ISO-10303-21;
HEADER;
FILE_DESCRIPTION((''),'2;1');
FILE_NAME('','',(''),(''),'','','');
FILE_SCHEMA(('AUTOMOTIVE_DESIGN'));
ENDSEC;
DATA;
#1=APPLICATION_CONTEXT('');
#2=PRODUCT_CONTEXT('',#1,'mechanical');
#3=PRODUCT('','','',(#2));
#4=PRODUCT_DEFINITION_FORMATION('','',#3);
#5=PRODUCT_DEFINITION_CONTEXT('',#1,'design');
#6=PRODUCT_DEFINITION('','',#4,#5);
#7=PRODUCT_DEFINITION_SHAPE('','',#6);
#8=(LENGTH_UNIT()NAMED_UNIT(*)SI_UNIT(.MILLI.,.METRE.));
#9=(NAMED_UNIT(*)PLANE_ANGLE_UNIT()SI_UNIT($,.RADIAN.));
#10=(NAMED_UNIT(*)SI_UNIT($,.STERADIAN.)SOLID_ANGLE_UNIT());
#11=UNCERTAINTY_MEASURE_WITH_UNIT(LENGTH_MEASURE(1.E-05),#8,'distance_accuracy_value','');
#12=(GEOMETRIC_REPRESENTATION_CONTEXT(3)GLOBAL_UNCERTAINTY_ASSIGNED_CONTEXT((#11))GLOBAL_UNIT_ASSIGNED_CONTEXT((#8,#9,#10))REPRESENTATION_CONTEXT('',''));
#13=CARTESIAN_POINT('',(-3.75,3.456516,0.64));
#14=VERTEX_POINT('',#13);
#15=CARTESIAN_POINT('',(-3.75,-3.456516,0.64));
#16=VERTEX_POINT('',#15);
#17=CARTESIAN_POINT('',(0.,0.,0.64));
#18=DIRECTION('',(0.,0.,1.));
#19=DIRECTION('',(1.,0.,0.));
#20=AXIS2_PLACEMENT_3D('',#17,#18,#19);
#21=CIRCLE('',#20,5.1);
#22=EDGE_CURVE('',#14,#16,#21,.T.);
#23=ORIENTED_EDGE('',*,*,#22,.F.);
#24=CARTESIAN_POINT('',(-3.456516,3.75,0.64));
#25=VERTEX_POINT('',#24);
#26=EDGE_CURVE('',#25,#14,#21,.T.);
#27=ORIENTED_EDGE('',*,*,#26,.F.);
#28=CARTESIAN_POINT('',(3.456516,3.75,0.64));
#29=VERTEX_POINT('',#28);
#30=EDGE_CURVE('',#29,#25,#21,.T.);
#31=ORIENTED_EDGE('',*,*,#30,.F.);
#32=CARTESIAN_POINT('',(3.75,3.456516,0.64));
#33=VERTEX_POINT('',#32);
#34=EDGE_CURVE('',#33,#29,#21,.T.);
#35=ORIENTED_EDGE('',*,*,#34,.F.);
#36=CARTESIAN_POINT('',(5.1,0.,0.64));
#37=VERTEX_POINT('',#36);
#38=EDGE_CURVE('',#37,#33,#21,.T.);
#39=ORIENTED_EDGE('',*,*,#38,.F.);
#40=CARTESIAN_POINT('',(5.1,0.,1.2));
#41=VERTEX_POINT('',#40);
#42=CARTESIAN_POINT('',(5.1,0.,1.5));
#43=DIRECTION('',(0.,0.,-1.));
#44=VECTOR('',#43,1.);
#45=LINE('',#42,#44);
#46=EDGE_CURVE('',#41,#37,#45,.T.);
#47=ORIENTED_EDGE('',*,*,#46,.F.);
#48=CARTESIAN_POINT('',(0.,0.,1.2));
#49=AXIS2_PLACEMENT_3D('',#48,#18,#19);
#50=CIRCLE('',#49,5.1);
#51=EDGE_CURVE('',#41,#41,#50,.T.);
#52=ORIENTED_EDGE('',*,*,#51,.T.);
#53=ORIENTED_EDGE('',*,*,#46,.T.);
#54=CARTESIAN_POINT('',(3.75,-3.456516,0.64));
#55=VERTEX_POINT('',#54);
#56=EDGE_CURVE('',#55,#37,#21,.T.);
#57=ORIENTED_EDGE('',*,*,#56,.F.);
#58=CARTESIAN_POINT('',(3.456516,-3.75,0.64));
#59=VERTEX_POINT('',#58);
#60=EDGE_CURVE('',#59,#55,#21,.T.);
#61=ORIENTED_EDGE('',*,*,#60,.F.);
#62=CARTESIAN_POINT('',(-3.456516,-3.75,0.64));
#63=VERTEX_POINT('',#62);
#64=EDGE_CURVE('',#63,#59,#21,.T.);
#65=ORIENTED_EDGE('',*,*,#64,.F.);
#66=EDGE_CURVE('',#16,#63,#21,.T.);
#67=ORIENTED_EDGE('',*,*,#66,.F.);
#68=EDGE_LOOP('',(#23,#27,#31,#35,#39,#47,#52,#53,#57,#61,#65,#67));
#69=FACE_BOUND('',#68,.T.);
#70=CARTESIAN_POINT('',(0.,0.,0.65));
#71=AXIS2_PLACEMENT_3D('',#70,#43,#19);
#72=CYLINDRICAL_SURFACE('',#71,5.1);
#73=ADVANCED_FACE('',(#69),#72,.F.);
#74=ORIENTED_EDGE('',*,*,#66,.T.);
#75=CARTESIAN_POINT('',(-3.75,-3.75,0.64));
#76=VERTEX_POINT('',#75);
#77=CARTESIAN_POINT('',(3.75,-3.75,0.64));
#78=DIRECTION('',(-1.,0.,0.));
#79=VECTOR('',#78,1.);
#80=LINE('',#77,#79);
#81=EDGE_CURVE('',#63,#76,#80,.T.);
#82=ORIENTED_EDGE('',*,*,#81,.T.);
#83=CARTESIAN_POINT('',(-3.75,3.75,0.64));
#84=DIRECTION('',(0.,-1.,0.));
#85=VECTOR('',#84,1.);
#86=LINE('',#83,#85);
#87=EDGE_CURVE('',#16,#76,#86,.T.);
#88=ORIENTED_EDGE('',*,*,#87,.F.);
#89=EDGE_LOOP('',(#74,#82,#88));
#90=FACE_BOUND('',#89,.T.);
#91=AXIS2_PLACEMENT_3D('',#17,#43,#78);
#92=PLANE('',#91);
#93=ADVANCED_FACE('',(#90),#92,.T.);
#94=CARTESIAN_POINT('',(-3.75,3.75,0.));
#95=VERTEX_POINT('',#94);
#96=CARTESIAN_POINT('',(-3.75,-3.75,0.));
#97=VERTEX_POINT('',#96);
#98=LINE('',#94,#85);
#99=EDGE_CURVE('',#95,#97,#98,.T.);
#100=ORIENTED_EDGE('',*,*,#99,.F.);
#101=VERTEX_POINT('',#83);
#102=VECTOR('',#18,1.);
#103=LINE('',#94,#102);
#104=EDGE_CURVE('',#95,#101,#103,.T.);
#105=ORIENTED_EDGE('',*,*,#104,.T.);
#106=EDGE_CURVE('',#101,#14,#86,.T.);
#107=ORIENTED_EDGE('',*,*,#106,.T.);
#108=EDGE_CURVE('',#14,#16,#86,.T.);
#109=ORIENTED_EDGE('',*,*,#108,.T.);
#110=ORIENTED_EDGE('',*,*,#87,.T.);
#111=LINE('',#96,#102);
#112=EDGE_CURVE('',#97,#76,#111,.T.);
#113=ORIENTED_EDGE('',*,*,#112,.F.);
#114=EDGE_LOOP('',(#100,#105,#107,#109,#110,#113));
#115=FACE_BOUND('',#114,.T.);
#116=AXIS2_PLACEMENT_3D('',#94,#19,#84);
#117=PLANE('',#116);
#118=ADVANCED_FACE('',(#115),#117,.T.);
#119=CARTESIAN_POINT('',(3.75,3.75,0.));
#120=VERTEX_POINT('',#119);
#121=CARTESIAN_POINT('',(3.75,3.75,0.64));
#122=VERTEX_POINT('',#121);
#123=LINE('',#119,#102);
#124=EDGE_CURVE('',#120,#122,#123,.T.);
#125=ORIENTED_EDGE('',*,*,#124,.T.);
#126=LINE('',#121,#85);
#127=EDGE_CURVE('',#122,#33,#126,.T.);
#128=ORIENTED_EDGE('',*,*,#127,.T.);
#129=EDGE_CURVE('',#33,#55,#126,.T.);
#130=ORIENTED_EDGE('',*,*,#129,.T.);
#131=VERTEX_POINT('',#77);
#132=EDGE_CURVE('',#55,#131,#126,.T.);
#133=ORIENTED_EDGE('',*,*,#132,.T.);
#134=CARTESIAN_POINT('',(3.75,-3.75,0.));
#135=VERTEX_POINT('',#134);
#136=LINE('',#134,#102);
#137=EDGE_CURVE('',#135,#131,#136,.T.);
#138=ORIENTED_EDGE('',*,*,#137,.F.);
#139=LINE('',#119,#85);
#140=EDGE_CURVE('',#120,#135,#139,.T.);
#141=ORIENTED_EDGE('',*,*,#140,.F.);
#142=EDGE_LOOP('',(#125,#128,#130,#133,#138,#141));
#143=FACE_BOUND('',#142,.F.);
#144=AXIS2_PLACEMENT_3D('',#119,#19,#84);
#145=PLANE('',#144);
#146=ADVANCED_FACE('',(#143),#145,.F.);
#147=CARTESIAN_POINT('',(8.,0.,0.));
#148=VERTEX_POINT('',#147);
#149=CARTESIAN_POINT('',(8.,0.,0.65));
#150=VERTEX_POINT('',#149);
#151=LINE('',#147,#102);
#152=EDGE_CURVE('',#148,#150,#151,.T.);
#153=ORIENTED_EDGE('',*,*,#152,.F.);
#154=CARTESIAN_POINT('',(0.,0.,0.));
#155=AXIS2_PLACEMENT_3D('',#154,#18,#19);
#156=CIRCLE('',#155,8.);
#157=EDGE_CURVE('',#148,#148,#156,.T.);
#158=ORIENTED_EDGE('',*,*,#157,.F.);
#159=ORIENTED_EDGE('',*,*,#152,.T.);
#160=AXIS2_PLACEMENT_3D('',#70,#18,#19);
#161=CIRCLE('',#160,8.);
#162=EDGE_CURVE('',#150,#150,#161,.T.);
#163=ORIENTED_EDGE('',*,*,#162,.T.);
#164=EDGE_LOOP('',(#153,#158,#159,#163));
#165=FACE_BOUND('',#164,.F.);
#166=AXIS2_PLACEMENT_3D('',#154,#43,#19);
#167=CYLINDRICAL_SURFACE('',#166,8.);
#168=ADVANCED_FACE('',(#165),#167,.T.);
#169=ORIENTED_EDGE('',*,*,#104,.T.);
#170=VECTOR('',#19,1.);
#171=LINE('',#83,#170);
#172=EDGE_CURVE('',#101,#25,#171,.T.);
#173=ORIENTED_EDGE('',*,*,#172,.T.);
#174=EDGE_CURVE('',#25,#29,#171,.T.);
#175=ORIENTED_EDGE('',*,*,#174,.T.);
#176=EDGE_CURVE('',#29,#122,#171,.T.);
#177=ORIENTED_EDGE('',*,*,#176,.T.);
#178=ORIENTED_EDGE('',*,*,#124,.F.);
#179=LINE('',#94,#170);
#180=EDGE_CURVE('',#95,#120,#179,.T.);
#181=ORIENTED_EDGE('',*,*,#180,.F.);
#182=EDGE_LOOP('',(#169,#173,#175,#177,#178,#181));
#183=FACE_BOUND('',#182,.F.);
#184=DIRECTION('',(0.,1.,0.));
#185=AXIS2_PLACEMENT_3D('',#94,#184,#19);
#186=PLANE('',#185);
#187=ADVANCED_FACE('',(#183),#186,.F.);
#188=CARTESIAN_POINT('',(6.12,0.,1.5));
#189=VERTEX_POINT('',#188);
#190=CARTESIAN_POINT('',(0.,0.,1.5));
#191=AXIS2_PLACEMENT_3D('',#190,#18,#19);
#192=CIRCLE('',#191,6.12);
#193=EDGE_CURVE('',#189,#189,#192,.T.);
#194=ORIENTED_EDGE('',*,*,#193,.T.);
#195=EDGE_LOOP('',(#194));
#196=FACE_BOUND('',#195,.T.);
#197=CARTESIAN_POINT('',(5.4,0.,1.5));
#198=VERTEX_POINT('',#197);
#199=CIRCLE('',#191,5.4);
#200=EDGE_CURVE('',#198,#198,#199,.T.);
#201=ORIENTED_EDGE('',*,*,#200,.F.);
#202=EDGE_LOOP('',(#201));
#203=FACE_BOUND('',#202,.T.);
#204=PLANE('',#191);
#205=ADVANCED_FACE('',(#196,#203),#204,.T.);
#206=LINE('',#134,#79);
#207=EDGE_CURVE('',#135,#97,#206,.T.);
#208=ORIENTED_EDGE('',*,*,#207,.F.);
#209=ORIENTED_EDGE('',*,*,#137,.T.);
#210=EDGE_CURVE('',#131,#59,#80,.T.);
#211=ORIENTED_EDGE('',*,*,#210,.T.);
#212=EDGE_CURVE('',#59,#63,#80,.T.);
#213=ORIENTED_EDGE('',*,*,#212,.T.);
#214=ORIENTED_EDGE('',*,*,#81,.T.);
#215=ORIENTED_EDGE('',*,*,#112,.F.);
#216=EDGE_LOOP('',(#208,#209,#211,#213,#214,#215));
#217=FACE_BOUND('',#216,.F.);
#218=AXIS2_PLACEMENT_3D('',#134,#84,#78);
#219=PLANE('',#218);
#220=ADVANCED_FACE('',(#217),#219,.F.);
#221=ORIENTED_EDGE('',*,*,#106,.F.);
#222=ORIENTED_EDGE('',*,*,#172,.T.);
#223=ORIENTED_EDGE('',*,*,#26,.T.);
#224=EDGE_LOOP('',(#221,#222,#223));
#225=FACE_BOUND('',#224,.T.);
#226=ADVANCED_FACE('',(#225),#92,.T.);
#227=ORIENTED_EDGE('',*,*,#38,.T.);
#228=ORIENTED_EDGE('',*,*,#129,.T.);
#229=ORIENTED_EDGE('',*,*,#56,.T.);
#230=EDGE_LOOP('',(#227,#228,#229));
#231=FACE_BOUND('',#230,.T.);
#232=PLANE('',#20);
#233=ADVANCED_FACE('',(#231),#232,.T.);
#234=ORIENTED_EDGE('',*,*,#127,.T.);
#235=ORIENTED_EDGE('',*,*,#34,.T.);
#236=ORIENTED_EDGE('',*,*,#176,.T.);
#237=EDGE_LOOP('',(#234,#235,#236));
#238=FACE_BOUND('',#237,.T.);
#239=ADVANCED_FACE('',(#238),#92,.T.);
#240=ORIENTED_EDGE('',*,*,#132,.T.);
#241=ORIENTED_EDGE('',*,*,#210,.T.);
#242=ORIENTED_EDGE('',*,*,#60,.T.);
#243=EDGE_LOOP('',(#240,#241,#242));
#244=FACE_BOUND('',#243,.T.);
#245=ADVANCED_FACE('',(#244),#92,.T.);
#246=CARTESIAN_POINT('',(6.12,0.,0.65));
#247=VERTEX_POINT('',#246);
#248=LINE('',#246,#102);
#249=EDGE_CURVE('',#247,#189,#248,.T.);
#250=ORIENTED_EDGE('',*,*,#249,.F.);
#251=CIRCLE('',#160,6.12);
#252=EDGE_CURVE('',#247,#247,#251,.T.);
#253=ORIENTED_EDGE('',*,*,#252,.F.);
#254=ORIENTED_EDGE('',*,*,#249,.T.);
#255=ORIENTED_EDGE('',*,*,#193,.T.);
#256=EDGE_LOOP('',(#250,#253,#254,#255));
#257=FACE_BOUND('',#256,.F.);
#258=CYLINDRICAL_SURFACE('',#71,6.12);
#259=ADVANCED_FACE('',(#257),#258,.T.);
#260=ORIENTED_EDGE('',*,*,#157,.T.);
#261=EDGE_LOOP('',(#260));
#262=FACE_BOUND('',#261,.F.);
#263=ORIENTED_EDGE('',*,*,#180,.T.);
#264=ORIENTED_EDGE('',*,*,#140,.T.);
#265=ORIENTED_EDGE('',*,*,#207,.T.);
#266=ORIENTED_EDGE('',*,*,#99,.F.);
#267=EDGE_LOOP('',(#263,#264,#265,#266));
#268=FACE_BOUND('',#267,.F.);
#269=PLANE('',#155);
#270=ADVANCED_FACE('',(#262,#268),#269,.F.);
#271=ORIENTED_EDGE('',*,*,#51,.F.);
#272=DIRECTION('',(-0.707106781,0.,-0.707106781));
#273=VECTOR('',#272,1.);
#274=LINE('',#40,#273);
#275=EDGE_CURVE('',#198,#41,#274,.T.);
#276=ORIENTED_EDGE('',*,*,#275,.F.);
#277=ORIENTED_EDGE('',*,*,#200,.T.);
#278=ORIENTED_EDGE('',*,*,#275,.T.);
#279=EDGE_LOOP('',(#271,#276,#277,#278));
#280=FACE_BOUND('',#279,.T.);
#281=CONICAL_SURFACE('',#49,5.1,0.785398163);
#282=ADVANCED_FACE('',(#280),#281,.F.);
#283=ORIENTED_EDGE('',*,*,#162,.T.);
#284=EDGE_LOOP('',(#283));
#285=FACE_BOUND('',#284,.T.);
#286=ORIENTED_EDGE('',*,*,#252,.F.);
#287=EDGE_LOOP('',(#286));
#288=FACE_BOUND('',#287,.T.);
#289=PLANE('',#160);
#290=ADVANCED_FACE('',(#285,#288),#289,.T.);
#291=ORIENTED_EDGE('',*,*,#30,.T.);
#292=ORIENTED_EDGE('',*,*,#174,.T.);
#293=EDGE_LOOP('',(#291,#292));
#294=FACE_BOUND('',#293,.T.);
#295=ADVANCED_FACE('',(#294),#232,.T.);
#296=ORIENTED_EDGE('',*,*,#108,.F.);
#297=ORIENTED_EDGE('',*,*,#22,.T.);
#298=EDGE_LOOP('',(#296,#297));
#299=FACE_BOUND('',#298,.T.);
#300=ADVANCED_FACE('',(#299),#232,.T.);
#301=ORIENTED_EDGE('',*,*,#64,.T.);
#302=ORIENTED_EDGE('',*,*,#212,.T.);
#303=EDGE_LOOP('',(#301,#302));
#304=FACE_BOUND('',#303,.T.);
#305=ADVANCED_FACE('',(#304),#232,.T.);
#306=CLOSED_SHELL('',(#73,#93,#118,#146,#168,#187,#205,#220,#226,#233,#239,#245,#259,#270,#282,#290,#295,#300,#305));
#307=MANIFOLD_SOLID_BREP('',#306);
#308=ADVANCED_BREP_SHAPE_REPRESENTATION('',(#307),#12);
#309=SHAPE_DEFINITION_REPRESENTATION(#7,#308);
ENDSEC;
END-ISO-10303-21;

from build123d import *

# Parameters (mm, degrees)
SKETCH_1_R          = 8
EXTRUDE_1_DEPTH     = 0.65
EXTRUDE_START       = 0.65
SKETCH_2_R          = 6.12
SKETCH_2_R_2        = 5.1
EXTRUDE_2_DEPTH     = 0.85
CUT_EXTRUDE_START   = 0.65
SKETCH_3_R          = 5.1
CUT_EXTRUDE_1_DEPTH = 0.01
CUT_EXTRUDE_2_DEPTH = 0.64
CHAMFER_1_SIZE      = 0.3


with BuildPart() as part:
    # 草图1 → 凸台-拉伸1 (new body)
    with BuildSketch(Plane.XY):
        Circle(SKETCH_1_R)
    extrude(amount=EXTRUDE_1_DEPTH)

    # 草图2 → 凸台-拉伸2 (add)
    with BuildSketch(Plane.XY.offset(EXTRUDE_START)):
        Circle(SKETCH_2_R)
        Circle(SKETCH_2_R_2, mode=Mode.SUBTRACT)
    extrude(amount=EXTRUDE_2_DEPTH)

    # 草图3 → 切除-拉伸1 (cut)
    with BuildSketch(Plane.XY.offset(CUT_EXTRUDE_START)):
        Circle(SKETCH_3_R)
    extrude(amount=-CUT_EXTRUDE_1_DEPTH, mode=Mode.SUBTRACT)

    # 草图4 → 切除-拉伸2 (cut)
    with BuildSketch(Plane.XY):
        Polygon((3.75, 3.75), (3.75, -3.75), (-3.75, -3.75), (-3.75, 0), (-3.75, 3.75), align=None)
    extrude(amount=CUT_EXTRUDE_2_DEPTH, mode=Mode.SUBTRACT)

    # 倒角1
    chamfer_1_edges = [part.edges().sort_by_distance(p)[0] for p in [
        (-5.1, 0, 1.5),
    ]]
    chamfer(chamfer_1_edges, length=CHAMFER_1_SIZE)


solid = part.part
